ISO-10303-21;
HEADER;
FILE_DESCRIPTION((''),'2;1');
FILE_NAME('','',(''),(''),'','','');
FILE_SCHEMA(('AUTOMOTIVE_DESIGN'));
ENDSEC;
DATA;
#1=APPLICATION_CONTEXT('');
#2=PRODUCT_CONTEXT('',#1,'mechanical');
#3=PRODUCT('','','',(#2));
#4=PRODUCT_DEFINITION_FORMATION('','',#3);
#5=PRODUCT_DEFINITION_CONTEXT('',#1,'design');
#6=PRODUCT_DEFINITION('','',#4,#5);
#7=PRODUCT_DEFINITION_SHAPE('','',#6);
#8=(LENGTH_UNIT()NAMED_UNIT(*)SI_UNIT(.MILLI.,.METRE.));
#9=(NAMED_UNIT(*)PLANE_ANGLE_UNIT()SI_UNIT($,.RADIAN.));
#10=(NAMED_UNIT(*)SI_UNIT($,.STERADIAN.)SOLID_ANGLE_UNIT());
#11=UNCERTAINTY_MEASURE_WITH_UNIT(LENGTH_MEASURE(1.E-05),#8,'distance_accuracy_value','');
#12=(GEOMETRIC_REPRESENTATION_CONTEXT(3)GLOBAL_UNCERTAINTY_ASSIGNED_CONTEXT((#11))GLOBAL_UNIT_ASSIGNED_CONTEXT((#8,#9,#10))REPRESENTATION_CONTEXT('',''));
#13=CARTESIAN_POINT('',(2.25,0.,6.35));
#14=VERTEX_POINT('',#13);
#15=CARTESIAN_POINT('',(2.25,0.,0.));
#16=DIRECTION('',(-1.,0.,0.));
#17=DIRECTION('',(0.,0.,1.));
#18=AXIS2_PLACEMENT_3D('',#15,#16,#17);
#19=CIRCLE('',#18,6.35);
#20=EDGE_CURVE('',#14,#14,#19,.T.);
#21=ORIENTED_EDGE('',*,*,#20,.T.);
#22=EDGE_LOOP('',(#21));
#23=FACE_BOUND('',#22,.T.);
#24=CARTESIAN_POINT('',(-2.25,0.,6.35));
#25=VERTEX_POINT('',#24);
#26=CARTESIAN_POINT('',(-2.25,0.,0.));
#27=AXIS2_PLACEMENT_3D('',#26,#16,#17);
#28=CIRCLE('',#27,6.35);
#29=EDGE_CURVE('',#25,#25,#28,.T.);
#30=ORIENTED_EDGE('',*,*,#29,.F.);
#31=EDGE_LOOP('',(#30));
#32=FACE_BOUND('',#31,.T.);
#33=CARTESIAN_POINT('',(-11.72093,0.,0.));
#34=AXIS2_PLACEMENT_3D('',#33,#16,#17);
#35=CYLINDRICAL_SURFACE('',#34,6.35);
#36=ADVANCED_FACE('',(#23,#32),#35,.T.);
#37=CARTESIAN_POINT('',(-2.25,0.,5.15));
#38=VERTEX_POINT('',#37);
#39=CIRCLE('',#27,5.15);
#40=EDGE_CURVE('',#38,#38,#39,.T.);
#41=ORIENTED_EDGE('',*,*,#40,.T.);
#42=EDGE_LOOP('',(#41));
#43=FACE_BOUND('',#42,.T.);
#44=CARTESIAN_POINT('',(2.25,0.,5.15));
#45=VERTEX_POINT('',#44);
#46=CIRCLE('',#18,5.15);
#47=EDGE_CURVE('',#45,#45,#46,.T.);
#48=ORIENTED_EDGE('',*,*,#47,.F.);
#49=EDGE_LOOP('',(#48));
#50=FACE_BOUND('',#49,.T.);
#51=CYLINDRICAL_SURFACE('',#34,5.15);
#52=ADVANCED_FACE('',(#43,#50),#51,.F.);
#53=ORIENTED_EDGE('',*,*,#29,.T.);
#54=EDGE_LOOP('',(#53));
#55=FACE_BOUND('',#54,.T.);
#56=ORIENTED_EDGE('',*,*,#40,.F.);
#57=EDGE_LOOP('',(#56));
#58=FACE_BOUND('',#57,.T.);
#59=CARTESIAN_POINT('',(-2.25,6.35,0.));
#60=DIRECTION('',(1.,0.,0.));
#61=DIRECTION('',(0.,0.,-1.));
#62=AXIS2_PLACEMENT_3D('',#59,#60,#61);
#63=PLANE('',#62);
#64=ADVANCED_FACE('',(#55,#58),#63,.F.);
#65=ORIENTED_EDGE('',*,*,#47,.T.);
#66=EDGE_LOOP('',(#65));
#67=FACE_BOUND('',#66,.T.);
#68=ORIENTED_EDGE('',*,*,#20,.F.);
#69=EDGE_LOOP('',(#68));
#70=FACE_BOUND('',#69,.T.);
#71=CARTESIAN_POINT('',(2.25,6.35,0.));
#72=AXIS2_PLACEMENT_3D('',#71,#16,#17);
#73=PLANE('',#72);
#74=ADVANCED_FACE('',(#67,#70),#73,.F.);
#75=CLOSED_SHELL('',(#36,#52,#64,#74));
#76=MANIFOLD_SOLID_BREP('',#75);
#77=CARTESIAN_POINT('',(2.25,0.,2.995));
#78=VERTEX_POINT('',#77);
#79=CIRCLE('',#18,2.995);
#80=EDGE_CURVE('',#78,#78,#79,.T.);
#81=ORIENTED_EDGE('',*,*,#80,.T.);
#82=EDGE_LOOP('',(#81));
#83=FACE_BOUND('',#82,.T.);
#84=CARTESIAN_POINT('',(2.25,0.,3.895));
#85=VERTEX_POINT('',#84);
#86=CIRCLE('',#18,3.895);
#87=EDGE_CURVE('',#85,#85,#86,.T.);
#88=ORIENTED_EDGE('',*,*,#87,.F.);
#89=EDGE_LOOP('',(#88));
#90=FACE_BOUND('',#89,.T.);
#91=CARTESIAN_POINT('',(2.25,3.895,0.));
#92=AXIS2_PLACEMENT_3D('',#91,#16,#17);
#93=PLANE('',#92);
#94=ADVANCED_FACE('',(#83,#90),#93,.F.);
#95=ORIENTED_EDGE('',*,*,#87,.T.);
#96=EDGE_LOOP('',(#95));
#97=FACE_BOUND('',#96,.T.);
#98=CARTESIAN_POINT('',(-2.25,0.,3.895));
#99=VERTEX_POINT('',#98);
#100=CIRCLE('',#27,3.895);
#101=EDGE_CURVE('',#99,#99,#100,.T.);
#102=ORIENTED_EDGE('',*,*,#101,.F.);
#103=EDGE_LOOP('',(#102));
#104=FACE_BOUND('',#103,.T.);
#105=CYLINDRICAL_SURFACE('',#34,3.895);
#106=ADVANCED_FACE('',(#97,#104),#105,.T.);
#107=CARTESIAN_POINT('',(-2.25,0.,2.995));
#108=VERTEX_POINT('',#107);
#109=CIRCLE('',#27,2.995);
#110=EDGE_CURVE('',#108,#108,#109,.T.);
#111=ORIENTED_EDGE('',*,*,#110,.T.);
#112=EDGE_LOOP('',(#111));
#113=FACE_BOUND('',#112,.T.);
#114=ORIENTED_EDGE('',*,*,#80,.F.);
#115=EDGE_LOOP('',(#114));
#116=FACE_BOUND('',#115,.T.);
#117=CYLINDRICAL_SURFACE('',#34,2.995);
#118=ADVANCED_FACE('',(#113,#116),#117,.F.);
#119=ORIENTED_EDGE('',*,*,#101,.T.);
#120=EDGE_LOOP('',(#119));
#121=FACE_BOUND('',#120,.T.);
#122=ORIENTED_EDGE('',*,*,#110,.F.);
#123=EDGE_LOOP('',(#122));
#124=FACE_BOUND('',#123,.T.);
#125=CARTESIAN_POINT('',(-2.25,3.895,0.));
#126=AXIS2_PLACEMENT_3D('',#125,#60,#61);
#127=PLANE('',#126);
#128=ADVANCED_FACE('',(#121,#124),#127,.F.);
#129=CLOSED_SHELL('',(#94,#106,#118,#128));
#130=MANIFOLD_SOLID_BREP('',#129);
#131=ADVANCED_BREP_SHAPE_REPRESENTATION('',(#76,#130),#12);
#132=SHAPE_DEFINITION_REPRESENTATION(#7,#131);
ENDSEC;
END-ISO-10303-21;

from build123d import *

# Parameters (mm, degrees)
SKETCH2_W   = 4.5
SKETCH2_H   = 1.2
SKETCH2_H_2 = 0.9


with BuildPart() as part:
    # Sketch2 → Revolve1 (revolve)
    with BuildSketch(Plane.XY, mode=Mode.PRIVATE) as revolve1_sk:
        with Locations((0, 5.75)):
            Rectangle(SKETCH2_W, SKETCH2_H)
        with Locations((0, 3.445)):
            Rectangle(SKETCH2_W, SKETCH2_H_2)
    revolve(revolve1_sk.sketch.rotate(Axis((-11.720930233, 0, 0), (1, 0, 0)), 90), axis=Axis((-11.720930233, 0, 0), (1, 0, 0)))


solid = part.part
